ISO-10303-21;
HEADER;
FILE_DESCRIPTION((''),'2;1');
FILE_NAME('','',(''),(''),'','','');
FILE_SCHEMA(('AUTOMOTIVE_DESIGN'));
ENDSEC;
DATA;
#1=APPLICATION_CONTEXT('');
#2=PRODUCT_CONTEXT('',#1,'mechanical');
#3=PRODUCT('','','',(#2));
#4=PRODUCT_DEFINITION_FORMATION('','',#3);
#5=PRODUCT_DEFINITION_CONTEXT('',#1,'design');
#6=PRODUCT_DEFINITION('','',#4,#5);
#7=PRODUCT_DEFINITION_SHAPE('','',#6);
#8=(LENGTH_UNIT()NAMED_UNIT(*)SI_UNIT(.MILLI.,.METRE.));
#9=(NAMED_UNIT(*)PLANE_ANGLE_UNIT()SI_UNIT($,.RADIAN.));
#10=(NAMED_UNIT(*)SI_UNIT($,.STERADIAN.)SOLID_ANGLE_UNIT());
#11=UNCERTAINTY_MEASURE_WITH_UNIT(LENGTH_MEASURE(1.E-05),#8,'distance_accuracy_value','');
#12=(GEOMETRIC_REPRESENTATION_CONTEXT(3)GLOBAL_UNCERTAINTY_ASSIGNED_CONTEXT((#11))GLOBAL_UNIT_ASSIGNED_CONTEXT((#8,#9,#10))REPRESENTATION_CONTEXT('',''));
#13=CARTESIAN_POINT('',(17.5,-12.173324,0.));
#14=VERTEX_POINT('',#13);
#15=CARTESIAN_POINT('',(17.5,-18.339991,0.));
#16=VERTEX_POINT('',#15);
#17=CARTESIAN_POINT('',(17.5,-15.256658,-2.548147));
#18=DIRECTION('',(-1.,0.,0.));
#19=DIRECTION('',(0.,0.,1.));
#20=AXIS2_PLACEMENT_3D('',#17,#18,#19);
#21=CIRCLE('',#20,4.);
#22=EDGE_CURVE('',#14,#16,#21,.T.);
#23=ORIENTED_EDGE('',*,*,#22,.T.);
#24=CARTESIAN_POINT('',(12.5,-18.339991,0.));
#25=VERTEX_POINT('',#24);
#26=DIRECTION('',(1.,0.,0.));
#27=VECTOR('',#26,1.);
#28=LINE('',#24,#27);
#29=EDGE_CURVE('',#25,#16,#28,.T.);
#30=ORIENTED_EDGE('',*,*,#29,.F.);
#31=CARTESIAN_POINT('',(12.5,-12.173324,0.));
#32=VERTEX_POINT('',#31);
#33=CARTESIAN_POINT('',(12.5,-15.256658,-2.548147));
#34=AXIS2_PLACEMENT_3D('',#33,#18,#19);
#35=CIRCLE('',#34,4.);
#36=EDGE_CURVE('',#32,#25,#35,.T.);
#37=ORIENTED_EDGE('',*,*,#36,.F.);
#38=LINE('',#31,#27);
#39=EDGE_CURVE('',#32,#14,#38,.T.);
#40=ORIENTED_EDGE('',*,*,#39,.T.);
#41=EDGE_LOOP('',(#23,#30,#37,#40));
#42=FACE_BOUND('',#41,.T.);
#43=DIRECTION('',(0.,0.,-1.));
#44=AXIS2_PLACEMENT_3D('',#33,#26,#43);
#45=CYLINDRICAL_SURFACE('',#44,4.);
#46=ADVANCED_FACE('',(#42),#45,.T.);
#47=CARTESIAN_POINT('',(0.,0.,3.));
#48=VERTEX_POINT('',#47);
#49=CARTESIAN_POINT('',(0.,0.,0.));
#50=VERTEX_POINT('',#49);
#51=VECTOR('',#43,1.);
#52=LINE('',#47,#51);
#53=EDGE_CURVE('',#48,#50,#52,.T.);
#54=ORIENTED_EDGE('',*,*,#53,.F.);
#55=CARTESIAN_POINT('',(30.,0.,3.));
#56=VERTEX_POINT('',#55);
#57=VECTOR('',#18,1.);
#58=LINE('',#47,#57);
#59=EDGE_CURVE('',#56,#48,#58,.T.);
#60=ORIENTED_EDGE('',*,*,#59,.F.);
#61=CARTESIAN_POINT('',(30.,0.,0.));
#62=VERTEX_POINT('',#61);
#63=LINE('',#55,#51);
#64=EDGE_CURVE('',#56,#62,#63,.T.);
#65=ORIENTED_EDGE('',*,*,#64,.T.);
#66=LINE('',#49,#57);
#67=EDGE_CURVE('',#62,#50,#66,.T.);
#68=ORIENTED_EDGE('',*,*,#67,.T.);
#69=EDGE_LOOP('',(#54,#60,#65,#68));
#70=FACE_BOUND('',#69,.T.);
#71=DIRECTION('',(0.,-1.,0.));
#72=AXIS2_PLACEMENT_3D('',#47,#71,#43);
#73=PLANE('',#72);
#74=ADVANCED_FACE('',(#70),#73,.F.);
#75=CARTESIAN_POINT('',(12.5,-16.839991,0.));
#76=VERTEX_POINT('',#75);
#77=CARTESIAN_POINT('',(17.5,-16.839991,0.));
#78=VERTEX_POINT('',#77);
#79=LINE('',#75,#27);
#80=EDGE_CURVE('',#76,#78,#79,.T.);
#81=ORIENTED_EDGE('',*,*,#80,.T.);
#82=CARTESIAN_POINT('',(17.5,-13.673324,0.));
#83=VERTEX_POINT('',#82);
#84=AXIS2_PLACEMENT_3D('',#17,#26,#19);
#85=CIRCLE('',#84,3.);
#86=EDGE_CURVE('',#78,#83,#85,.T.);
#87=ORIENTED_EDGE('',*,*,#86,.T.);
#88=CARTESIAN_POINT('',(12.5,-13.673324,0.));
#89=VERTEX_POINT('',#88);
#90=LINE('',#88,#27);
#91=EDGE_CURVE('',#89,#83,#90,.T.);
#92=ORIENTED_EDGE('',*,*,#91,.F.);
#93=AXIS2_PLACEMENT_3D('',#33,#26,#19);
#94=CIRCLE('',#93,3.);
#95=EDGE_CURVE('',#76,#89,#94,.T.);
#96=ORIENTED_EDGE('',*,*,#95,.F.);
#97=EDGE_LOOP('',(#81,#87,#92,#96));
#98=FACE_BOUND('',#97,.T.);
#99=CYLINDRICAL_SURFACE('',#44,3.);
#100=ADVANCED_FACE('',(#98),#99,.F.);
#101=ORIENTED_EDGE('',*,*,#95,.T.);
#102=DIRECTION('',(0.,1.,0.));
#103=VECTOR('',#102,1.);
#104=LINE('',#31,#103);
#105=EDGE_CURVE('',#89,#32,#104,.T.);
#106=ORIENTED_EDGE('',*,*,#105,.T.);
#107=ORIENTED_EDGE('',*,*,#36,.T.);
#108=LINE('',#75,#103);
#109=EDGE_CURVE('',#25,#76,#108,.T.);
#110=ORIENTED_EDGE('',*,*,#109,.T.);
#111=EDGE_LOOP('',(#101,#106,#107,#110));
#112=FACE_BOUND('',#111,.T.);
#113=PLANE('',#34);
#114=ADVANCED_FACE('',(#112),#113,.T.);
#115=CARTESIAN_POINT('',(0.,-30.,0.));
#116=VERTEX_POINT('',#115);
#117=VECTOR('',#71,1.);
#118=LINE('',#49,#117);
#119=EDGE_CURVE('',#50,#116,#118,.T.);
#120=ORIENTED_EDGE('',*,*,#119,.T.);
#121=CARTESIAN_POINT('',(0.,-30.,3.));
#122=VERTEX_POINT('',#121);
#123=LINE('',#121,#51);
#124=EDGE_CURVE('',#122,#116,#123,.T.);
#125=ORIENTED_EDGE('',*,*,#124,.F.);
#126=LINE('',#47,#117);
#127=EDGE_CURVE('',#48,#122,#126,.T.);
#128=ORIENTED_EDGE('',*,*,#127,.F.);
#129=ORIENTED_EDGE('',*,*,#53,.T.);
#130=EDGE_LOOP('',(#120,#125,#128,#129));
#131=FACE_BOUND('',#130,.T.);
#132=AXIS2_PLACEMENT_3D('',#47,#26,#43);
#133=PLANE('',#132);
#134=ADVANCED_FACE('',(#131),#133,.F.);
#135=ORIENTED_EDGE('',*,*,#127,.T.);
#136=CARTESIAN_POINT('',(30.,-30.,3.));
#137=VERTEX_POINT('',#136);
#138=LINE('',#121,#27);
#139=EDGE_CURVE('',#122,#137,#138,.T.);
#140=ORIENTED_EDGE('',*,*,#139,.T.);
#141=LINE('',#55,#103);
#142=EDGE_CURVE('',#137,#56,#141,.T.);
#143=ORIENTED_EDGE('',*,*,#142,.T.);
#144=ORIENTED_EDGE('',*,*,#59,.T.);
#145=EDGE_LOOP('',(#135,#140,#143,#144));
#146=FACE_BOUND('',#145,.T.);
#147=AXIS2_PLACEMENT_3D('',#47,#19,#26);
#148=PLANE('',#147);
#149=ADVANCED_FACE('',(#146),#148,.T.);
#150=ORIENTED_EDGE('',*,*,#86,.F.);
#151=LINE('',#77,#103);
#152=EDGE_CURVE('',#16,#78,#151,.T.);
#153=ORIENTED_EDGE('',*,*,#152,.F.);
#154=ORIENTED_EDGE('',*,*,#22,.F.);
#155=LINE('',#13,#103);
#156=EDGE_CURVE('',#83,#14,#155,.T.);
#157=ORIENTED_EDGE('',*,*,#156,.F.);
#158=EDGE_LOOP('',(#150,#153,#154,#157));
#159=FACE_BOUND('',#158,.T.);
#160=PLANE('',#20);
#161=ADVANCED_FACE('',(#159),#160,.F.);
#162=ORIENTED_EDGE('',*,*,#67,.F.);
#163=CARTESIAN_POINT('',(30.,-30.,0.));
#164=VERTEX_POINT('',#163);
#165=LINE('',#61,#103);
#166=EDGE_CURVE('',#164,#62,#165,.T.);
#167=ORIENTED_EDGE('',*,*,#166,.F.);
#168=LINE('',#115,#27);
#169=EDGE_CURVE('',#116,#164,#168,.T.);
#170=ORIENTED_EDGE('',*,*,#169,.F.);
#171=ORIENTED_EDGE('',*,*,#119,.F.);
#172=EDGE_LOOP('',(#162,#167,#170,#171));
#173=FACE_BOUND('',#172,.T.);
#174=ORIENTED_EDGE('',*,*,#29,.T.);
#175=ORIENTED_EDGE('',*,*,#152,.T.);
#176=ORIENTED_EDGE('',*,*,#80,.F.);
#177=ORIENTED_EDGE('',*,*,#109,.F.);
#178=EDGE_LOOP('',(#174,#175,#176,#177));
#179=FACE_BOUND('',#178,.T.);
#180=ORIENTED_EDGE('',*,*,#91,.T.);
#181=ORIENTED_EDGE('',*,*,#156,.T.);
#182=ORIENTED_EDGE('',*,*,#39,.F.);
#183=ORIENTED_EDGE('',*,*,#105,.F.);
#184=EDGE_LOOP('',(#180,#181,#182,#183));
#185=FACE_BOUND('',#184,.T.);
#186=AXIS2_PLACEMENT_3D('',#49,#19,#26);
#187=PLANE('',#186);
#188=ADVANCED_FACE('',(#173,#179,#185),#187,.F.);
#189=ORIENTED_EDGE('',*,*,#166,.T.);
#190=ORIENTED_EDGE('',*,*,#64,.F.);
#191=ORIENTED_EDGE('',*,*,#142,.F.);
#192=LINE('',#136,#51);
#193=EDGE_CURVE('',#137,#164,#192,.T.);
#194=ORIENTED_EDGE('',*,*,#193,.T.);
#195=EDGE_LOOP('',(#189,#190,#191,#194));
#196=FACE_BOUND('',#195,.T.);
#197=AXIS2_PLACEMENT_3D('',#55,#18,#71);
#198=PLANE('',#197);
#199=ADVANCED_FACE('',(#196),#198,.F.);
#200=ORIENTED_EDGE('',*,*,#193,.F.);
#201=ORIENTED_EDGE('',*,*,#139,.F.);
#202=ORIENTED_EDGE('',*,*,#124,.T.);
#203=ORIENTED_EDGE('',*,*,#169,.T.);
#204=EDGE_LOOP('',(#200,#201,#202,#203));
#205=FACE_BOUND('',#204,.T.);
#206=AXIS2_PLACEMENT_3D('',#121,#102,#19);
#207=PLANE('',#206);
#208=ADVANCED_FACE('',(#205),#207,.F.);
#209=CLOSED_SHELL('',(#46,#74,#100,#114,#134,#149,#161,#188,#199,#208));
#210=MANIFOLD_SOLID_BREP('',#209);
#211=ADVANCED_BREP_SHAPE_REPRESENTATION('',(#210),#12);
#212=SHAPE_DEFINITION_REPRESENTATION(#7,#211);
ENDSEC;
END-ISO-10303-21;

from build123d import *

# Parameters (mm, degrees)
ESQUISSE1_W        = 30
ESQUISSE1_H        = 30
BOSS_EXTRU_1_DEPTH = 3
BOSS_EXTRU_2_DEPTH = 2.5


with BuildPart() as part:
    # Esquisse1 → Boss.-Extru.1 (new body)
    with BuildSketch(Plane.XY):
        with Locations((15, -15)):
            Rectangle(ESQUISSE1_W, ESQUISSE1_H)
    extrude(amount=BOSS_EXTRU_1_DEPTH)

    # Esquisse4 → Boss.-Extru.2 (add, symmetric)
    with BuildSketch(Plane.ZY.offset(-15)):
        with BuildLine():
            Line((0, -12.173324278), (0, -13.673324278))
            ThreePointArc((0, -13.673324278), (-5.548147475, -15.256657612), (0, -16.839990945))
            Line((0, -16.839990945), (0, -18.339990945))
            ThreePointArc((0, -18.339990945), (-6.548147475, -15.256657612), (0, -12.173324278))
        make_face()
    extrude(amount=BOSS_EXTRU_2_DEPTH, both=True)


solid = part.part
